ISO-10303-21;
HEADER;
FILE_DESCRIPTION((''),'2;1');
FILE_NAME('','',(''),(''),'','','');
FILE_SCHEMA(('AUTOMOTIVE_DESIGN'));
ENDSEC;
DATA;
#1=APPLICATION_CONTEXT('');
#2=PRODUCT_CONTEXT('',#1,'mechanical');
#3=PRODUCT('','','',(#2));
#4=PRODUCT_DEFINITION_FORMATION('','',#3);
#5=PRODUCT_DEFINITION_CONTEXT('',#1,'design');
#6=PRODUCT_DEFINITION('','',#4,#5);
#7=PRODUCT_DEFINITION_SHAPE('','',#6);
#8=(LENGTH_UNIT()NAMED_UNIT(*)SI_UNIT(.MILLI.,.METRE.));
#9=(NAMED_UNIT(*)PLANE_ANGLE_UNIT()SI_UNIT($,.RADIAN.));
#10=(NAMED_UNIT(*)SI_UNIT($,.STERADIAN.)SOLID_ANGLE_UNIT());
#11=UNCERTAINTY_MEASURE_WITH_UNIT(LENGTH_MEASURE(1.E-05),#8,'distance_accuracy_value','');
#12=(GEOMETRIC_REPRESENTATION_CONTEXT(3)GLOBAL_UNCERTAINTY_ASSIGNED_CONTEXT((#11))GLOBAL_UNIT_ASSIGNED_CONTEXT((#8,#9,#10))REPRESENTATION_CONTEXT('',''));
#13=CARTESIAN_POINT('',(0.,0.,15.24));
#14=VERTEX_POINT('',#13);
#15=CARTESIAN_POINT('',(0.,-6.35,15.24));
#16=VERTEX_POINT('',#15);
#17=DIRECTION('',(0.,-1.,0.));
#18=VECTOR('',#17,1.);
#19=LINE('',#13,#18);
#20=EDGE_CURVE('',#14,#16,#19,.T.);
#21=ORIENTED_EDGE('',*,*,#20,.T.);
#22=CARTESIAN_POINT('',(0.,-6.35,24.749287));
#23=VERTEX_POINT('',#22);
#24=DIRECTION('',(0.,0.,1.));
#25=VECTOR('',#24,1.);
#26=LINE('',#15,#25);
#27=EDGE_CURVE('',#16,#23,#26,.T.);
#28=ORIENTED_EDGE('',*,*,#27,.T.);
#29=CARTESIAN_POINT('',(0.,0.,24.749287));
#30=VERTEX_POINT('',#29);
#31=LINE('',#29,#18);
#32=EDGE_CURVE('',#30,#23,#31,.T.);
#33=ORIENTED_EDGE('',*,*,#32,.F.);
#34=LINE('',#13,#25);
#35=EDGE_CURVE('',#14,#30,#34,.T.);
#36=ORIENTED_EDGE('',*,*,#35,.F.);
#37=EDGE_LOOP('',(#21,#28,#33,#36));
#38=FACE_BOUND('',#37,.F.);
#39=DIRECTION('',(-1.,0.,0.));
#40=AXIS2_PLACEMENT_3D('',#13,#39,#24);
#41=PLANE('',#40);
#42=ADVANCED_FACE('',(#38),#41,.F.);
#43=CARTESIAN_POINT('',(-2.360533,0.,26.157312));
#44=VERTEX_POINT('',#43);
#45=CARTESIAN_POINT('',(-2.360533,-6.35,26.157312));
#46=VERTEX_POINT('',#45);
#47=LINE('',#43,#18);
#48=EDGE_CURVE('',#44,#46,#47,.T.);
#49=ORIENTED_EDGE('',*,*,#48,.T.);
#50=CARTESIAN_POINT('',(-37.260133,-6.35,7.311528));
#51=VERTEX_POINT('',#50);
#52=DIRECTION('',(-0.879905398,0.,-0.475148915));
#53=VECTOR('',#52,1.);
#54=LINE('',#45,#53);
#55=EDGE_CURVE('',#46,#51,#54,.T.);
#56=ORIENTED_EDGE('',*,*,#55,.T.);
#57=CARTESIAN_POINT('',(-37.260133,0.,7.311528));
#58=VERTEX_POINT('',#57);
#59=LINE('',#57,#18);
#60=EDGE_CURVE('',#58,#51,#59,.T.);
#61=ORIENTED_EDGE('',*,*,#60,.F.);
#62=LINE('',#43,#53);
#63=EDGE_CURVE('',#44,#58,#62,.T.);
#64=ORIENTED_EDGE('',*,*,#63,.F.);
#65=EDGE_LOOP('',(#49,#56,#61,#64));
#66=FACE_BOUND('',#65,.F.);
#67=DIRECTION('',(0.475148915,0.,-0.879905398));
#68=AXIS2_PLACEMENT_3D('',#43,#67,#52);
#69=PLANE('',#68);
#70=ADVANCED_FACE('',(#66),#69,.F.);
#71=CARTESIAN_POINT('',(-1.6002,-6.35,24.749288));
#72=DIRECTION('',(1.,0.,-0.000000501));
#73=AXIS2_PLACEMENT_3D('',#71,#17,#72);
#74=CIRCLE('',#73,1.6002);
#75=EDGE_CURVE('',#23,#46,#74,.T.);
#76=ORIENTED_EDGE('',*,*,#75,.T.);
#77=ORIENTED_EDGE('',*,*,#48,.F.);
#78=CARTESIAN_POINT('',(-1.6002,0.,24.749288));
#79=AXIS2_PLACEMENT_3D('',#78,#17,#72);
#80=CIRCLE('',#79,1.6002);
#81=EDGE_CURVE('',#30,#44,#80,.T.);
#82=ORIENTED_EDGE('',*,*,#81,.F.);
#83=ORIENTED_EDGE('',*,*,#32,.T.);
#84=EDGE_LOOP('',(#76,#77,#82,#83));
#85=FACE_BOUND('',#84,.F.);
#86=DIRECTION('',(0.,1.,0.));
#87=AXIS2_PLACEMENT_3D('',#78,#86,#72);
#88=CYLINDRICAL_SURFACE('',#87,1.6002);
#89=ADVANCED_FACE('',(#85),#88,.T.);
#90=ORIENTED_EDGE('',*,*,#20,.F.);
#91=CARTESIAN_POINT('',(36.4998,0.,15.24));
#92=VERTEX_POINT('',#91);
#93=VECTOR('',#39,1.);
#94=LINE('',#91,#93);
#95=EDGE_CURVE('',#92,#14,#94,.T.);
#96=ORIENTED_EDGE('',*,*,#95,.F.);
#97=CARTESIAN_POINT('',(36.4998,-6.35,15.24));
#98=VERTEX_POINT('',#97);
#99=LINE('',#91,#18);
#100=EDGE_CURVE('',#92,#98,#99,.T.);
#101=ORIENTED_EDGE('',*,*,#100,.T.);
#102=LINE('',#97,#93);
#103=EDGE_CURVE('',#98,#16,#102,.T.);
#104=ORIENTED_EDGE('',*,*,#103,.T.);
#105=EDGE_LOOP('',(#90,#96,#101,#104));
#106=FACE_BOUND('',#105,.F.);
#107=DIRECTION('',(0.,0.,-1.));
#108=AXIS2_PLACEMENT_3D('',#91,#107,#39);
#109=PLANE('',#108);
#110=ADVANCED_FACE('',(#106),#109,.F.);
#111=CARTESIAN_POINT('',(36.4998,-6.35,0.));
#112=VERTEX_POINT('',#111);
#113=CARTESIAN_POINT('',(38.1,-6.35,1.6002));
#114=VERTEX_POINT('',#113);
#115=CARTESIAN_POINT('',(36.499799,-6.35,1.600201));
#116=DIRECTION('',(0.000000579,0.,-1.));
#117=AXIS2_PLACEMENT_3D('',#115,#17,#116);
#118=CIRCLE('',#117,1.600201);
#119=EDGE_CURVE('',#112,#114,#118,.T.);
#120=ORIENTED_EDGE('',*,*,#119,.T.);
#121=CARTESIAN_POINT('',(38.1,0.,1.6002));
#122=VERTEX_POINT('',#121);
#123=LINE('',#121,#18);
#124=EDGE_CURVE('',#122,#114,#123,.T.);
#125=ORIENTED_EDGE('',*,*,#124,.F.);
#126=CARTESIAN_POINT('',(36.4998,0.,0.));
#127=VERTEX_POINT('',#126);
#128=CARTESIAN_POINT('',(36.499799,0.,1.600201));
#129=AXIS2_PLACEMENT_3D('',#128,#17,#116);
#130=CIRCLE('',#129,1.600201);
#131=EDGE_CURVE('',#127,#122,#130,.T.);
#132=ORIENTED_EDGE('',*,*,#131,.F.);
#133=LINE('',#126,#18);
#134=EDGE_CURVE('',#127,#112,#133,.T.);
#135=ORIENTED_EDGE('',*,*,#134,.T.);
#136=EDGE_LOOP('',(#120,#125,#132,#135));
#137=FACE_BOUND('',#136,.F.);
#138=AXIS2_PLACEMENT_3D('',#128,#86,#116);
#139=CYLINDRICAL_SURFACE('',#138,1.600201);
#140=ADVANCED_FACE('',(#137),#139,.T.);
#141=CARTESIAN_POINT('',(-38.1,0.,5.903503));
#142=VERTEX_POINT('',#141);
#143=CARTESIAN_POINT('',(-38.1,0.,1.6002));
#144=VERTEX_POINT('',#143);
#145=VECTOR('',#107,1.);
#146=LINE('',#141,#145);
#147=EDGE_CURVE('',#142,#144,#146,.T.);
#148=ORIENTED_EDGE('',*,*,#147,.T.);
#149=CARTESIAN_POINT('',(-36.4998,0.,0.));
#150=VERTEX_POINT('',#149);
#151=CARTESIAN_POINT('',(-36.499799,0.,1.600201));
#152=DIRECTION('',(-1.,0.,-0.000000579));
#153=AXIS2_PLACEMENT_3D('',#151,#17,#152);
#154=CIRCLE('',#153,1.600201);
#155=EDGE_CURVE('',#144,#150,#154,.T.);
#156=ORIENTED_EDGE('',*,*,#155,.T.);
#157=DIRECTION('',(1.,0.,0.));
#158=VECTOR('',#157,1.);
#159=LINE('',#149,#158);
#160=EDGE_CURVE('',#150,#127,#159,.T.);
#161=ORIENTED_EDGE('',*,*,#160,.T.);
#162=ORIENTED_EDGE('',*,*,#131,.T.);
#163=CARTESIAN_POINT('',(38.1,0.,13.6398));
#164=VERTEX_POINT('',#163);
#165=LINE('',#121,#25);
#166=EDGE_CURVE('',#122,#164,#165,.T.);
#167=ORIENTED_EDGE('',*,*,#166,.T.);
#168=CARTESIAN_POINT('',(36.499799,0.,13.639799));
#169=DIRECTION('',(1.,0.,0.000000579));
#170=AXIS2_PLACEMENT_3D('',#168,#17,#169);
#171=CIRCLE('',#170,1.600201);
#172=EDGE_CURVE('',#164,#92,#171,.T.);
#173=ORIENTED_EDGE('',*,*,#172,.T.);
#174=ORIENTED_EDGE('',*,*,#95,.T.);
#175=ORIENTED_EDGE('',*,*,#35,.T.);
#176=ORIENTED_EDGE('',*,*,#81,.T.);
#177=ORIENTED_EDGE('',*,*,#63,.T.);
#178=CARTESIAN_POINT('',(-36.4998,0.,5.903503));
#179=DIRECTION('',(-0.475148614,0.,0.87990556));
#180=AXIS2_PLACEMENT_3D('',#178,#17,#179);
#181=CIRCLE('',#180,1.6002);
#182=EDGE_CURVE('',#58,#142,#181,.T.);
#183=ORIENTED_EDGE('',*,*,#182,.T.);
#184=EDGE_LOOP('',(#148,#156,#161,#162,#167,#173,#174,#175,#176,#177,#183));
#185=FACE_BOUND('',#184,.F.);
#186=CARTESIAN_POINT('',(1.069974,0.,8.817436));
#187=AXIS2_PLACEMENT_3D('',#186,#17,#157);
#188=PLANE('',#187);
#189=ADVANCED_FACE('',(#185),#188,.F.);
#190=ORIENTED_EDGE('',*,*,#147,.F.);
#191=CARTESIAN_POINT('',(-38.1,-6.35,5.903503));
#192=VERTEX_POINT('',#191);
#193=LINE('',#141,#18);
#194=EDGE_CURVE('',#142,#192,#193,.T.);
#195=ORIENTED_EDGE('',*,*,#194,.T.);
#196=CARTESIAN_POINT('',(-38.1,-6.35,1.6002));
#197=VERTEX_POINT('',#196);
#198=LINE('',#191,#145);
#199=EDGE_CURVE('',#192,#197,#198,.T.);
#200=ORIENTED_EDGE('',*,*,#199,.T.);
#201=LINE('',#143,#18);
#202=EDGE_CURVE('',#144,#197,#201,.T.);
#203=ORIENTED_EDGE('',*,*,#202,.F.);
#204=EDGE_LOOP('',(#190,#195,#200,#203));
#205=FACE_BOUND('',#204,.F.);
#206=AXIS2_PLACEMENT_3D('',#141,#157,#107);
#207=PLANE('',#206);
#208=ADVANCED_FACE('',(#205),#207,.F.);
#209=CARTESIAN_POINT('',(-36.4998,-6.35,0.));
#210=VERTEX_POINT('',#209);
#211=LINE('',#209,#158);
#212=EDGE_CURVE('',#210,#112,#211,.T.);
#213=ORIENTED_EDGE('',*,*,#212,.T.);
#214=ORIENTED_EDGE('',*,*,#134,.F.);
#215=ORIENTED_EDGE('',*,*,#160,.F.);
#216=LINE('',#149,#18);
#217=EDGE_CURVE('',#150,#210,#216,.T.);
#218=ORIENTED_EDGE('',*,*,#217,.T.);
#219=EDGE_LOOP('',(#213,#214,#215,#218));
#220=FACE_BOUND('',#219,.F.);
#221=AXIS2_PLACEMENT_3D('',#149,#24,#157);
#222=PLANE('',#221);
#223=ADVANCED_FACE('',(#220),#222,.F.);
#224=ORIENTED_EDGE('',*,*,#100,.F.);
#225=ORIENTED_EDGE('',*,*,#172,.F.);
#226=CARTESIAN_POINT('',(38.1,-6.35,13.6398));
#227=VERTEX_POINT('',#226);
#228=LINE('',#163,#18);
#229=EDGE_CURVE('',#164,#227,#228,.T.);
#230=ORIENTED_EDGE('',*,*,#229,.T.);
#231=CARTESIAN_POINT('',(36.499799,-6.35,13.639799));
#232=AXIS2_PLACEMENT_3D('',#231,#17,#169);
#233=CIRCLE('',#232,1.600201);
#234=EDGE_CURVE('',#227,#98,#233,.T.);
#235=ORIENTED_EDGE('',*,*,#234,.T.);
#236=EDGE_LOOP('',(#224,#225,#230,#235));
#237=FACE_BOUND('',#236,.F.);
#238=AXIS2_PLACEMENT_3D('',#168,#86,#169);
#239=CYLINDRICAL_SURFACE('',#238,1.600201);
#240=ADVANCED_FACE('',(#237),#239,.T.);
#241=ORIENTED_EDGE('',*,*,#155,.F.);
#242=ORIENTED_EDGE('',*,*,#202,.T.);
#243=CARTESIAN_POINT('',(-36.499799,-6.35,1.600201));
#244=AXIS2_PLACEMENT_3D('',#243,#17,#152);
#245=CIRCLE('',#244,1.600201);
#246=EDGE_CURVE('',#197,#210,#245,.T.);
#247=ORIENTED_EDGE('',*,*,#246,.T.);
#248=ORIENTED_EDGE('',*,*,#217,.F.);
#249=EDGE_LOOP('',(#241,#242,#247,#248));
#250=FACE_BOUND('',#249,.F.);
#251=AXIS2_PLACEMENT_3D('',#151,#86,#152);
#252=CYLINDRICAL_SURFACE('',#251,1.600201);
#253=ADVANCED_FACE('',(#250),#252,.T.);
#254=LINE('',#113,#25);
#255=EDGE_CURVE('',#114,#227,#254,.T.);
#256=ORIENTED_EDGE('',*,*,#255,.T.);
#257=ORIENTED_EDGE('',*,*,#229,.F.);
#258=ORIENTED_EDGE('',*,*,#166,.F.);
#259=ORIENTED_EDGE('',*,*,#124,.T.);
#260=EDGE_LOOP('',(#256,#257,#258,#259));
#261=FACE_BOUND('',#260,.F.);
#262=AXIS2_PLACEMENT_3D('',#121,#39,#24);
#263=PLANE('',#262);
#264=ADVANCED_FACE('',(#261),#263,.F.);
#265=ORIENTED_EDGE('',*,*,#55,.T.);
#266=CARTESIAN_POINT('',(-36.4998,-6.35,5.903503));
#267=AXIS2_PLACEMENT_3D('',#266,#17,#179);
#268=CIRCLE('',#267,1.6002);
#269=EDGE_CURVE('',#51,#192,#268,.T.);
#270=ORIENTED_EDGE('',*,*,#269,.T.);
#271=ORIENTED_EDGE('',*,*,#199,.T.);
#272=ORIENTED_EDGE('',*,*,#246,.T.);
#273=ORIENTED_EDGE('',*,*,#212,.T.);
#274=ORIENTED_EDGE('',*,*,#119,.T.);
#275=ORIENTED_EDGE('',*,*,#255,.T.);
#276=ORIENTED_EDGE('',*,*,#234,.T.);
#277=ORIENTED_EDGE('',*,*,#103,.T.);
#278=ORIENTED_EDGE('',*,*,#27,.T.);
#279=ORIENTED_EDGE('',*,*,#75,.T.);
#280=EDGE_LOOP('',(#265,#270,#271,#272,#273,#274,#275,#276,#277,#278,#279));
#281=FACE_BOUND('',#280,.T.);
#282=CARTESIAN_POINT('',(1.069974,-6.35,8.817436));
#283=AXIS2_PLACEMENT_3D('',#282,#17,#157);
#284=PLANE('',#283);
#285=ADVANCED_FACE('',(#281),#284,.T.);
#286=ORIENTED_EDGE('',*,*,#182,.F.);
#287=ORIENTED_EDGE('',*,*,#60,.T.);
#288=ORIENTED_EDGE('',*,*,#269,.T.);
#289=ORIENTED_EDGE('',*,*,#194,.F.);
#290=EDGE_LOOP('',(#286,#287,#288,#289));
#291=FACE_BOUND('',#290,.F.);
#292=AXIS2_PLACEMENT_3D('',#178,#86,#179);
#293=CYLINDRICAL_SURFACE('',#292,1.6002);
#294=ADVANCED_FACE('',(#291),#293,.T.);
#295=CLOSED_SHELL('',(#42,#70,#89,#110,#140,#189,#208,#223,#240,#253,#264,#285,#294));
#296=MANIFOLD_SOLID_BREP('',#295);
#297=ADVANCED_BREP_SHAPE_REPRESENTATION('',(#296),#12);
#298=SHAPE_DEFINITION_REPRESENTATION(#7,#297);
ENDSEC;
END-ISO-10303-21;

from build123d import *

# Parameters (mm, degrees)
F1_DEPTH = 6.35


with BuildPart() as f1:
    # F0 (on Front) → F1 (new body)
    with BuildSketch(Plane.XZ):
        with BuildLine():
            ThreePointArc((-38.1, 1.6002), (-37.631312, 0.468688), (-36.4998, 0))
            Line((-36.4998, 0), (36.4998, 0))
            ThreePointArc((36.4998, 0), (37.631312, 0.468688), (38.1, 1.6002))
            Line((38.1, 1.6002), (38.1, 13.6398))
            ThreePointArc((38.1, 13.6398), (37.631312, 14.771312), (36.4998, 15.24))
            Line((36.4998, 15.24), (0, 15.24))
            Line((0, 15.24), (0, 24.749287))
            ThreePointArc((0, 24.749287), (-0.780458, 26.123574), (-2.360533, 26.157312))
            Line((-2.360533, 26.157312), (-37.260133, 7.311528))
            ThreePointArc((-37.260133, 7.311528), (-37.874086, 6.723246), (-38.1, 5.903503))
            Line((-38.1, 5.903503), (-38.1, 1.6002))
        make_face()
    extrude(amount=F1_DEPTH)


solid = f1.part
